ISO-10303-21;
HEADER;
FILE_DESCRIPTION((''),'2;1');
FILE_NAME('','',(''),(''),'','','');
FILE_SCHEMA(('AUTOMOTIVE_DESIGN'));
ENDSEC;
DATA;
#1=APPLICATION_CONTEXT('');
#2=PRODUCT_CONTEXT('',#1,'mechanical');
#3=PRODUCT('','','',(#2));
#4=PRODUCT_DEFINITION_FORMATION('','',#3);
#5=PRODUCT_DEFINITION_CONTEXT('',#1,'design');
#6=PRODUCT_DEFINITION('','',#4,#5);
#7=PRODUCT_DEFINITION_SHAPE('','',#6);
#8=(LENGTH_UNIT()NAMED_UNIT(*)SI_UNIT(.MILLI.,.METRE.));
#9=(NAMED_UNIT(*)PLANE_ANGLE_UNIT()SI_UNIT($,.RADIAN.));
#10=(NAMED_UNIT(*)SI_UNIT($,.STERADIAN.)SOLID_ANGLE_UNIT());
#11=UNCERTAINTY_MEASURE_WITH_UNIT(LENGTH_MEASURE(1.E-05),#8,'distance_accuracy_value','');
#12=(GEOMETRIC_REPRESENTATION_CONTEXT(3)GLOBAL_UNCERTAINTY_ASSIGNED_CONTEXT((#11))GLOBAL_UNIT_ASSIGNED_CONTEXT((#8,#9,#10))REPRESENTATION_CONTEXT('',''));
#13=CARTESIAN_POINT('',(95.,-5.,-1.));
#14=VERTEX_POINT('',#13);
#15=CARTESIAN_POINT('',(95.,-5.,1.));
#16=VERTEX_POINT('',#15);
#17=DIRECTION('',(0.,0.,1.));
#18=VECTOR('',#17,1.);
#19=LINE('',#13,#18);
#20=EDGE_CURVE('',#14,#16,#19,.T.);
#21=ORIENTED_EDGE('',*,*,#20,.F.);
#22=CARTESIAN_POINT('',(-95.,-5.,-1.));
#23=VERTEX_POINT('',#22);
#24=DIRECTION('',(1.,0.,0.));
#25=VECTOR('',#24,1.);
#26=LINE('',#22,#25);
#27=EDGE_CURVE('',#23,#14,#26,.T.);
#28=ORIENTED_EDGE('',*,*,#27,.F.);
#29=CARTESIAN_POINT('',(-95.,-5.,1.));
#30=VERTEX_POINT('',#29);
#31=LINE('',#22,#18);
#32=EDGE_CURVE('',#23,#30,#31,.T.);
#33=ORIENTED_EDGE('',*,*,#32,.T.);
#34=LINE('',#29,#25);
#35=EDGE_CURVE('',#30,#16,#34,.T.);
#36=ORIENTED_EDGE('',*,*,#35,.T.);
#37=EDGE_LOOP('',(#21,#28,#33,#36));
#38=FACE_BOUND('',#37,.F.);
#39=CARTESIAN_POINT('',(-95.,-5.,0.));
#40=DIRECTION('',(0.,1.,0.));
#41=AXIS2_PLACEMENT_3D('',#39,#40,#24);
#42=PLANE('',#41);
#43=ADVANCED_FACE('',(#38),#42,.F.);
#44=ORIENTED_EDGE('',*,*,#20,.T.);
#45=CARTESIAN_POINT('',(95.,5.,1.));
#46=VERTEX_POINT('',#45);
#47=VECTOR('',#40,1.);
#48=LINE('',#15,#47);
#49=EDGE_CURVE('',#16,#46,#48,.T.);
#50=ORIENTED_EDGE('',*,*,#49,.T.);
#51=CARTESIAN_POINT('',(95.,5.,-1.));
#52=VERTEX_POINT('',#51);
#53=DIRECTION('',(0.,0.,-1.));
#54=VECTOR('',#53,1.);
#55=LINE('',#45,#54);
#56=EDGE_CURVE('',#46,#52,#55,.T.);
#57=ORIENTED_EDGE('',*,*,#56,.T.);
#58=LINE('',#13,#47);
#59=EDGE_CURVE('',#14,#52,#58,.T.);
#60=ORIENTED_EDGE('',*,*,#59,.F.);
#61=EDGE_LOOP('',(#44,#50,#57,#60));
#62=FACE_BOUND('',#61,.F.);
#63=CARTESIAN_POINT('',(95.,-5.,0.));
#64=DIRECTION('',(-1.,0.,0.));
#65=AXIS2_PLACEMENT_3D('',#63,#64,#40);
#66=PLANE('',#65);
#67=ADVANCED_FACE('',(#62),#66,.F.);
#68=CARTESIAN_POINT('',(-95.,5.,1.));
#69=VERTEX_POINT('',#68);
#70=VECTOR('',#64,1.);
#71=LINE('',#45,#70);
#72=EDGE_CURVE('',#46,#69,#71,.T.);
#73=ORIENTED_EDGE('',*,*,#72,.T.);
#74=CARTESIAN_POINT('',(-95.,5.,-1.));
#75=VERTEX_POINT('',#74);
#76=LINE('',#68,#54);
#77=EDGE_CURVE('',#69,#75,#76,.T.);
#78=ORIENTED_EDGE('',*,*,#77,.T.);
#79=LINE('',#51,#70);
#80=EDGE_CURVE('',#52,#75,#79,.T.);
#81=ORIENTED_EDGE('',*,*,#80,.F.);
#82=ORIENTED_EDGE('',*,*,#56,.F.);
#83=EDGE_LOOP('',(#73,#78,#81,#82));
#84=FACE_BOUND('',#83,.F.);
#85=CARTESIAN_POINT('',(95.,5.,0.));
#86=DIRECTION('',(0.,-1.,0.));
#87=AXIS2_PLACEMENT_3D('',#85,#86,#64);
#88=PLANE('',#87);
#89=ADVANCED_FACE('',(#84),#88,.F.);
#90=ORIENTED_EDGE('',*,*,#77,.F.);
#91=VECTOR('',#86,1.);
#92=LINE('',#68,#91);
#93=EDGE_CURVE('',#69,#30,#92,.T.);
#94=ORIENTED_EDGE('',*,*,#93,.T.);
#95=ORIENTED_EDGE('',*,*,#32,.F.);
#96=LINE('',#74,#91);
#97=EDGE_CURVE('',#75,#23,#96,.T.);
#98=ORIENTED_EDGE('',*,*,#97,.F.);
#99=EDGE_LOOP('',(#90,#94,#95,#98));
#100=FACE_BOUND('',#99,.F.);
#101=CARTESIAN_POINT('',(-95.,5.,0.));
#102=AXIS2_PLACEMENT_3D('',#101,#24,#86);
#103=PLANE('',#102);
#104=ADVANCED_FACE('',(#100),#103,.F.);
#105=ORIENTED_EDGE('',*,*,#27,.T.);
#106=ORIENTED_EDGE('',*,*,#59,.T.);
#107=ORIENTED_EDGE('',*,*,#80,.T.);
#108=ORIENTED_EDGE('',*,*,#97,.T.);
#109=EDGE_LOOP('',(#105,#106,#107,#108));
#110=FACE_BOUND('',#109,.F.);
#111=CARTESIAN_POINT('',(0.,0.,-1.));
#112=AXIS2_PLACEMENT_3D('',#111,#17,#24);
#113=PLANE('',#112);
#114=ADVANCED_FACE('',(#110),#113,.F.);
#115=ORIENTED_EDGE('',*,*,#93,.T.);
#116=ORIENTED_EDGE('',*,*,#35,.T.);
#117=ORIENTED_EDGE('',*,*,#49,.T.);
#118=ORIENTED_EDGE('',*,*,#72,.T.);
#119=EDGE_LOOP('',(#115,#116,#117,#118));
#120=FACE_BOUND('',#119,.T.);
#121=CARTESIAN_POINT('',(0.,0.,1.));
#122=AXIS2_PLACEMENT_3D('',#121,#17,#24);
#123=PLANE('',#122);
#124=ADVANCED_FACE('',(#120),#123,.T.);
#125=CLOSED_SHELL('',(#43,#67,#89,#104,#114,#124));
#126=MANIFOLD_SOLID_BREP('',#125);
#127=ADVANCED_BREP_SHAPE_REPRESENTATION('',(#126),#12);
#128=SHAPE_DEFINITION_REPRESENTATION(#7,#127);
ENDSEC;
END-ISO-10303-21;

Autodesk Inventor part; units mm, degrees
ref_plane "YZ Plane" through (0, 0, 0) normal (1, 0, 0) x (0, 1, 0)
ref_plane "XZ Plane" through (0, 0, 0) normal (0, 1, 0) x (-1, 0, 0)
ref_plane "XY Plane" through (0, 0, 0) normal (0, 0, 1) x (1, 0, 0)
sketch "Sketch1" plane through (0, 0, 0) normal (0, 0, 1) x (1, 0, 0)
  line L0 (-95, -5) -> (95, -5)
  line L1 (95, -5) -> (95, 5)
  line L2 (95, 5) -> (-95, 5)
  line L3 (-95, 5) -> (-95, -5)
  line L4 (-95, -5) -> (95, 5) construction
  line L5 (95, -5) -> (-95, 5) construction
  point P0 (0, 0)
  dimension "d0" = 190
  dimension "d1" = 10
extrude "Extrusion1" add sketch "Sketch1" along normal mid plane 2
properties part number "Case_TreeTrayShim" material "ABS Plastic"
